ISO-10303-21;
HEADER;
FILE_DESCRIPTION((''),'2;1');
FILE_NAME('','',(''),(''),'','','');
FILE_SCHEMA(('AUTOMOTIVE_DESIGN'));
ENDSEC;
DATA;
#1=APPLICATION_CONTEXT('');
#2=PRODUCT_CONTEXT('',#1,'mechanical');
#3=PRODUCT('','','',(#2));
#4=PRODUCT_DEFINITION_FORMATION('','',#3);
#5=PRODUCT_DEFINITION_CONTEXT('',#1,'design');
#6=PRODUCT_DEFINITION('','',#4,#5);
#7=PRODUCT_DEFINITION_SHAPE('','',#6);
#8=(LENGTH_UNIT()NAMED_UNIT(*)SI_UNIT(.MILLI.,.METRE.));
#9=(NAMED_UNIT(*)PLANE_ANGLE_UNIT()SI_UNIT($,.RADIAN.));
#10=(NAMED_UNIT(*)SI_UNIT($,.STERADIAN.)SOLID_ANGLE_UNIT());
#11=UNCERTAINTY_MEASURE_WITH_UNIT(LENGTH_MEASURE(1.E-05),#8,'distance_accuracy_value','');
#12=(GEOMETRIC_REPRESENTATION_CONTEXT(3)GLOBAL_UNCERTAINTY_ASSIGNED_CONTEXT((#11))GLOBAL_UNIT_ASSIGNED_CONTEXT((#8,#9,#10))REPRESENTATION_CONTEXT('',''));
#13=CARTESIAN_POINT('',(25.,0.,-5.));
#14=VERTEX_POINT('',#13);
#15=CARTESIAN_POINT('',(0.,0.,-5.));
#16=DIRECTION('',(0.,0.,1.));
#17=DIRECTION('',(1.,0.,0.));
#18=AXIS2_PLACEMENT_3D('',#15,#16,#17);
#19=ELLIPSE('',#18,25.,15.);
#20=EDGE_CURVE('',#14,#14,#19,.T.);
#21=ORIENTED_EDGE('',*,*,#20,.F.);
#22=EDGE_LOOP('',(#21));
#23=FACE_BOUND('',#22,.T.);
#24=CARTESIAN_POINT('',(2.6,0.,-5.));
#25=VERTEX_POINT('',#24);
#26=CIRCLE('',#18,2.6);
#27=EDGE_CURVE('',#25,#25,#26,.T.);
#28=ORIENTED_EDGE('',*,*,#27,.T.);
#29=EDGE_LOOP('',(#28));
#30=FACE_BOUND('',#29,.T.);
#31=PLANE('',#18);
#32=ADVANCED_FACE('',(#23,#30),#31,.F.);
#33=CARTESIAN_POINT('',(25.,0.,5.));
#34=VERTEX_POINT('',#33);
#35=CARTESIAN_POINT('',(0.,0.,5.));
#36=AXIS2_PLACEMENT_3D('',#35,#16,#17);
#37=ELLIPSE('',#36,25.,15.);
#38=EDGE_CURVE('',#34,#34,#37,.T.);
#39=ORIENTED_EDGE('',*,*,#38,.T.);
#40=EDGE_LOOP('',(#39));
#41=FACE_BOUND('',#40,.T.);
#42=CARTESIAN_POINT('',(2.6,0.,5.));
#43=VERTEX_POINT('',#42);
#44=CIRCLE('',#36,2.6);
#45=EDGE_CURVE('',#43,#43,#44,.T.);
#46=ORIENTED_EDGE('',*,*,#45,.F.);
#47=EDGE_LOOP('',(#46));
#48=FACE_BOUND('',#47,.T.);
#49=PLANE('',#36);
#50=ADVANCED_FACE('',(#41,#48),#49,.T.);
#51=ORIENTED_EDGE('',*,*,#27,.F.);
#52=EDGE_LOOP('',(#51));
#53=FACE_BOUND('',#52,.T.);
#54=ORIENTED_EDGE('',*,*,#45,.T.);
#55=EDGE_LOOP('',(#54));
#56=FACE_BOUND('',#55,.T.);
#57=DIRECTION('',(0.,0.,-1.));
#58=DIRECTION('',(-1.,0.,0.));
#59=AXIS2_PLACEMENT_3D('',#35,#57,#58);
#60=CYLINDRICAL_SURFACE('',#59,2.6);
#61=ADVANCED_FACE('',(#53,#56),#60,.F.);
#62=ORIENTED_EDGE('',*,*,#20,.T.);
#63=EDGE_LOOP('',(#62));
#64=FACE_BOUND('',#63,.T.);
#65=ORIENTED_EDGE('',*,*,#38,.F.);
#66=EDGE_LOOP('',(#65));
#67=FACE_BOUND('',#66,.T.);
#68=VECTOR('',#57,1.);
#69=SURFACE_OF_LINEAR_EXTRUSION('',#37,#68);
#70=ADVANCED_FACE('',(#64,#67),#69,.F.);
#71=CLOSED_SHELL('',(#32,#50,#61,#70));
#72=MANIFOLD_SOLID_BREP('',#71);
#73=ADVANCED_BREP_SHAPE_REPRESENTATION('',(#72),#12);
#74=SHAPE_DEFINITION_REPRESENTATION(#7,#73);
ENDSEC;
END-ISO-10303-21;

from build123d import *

# Parameters (mm, degrees)
CROQUIS2_RX             = 25
CROQUIS2_RY             = 15
CROQUIS2_R              = 2.6
SALIENTE_EXTRUIR1_DEPTH = 5


with BuildPart() as part:
    # Croquis2 → Saliente-Extruir1 (new, symmetric)
    with BuildSketch(Plane.XY):
        with Locations((0, 0)):
            Ellipse(CROQUIS2_RX, CROQUIS2_RY)
        Circle(CROQUIS2_R, mode=Mode.SUBTRACT)
    extrude(amount=SALIENTE_EXTRUIR1_DEPTH, both=True)


solid = part.part
